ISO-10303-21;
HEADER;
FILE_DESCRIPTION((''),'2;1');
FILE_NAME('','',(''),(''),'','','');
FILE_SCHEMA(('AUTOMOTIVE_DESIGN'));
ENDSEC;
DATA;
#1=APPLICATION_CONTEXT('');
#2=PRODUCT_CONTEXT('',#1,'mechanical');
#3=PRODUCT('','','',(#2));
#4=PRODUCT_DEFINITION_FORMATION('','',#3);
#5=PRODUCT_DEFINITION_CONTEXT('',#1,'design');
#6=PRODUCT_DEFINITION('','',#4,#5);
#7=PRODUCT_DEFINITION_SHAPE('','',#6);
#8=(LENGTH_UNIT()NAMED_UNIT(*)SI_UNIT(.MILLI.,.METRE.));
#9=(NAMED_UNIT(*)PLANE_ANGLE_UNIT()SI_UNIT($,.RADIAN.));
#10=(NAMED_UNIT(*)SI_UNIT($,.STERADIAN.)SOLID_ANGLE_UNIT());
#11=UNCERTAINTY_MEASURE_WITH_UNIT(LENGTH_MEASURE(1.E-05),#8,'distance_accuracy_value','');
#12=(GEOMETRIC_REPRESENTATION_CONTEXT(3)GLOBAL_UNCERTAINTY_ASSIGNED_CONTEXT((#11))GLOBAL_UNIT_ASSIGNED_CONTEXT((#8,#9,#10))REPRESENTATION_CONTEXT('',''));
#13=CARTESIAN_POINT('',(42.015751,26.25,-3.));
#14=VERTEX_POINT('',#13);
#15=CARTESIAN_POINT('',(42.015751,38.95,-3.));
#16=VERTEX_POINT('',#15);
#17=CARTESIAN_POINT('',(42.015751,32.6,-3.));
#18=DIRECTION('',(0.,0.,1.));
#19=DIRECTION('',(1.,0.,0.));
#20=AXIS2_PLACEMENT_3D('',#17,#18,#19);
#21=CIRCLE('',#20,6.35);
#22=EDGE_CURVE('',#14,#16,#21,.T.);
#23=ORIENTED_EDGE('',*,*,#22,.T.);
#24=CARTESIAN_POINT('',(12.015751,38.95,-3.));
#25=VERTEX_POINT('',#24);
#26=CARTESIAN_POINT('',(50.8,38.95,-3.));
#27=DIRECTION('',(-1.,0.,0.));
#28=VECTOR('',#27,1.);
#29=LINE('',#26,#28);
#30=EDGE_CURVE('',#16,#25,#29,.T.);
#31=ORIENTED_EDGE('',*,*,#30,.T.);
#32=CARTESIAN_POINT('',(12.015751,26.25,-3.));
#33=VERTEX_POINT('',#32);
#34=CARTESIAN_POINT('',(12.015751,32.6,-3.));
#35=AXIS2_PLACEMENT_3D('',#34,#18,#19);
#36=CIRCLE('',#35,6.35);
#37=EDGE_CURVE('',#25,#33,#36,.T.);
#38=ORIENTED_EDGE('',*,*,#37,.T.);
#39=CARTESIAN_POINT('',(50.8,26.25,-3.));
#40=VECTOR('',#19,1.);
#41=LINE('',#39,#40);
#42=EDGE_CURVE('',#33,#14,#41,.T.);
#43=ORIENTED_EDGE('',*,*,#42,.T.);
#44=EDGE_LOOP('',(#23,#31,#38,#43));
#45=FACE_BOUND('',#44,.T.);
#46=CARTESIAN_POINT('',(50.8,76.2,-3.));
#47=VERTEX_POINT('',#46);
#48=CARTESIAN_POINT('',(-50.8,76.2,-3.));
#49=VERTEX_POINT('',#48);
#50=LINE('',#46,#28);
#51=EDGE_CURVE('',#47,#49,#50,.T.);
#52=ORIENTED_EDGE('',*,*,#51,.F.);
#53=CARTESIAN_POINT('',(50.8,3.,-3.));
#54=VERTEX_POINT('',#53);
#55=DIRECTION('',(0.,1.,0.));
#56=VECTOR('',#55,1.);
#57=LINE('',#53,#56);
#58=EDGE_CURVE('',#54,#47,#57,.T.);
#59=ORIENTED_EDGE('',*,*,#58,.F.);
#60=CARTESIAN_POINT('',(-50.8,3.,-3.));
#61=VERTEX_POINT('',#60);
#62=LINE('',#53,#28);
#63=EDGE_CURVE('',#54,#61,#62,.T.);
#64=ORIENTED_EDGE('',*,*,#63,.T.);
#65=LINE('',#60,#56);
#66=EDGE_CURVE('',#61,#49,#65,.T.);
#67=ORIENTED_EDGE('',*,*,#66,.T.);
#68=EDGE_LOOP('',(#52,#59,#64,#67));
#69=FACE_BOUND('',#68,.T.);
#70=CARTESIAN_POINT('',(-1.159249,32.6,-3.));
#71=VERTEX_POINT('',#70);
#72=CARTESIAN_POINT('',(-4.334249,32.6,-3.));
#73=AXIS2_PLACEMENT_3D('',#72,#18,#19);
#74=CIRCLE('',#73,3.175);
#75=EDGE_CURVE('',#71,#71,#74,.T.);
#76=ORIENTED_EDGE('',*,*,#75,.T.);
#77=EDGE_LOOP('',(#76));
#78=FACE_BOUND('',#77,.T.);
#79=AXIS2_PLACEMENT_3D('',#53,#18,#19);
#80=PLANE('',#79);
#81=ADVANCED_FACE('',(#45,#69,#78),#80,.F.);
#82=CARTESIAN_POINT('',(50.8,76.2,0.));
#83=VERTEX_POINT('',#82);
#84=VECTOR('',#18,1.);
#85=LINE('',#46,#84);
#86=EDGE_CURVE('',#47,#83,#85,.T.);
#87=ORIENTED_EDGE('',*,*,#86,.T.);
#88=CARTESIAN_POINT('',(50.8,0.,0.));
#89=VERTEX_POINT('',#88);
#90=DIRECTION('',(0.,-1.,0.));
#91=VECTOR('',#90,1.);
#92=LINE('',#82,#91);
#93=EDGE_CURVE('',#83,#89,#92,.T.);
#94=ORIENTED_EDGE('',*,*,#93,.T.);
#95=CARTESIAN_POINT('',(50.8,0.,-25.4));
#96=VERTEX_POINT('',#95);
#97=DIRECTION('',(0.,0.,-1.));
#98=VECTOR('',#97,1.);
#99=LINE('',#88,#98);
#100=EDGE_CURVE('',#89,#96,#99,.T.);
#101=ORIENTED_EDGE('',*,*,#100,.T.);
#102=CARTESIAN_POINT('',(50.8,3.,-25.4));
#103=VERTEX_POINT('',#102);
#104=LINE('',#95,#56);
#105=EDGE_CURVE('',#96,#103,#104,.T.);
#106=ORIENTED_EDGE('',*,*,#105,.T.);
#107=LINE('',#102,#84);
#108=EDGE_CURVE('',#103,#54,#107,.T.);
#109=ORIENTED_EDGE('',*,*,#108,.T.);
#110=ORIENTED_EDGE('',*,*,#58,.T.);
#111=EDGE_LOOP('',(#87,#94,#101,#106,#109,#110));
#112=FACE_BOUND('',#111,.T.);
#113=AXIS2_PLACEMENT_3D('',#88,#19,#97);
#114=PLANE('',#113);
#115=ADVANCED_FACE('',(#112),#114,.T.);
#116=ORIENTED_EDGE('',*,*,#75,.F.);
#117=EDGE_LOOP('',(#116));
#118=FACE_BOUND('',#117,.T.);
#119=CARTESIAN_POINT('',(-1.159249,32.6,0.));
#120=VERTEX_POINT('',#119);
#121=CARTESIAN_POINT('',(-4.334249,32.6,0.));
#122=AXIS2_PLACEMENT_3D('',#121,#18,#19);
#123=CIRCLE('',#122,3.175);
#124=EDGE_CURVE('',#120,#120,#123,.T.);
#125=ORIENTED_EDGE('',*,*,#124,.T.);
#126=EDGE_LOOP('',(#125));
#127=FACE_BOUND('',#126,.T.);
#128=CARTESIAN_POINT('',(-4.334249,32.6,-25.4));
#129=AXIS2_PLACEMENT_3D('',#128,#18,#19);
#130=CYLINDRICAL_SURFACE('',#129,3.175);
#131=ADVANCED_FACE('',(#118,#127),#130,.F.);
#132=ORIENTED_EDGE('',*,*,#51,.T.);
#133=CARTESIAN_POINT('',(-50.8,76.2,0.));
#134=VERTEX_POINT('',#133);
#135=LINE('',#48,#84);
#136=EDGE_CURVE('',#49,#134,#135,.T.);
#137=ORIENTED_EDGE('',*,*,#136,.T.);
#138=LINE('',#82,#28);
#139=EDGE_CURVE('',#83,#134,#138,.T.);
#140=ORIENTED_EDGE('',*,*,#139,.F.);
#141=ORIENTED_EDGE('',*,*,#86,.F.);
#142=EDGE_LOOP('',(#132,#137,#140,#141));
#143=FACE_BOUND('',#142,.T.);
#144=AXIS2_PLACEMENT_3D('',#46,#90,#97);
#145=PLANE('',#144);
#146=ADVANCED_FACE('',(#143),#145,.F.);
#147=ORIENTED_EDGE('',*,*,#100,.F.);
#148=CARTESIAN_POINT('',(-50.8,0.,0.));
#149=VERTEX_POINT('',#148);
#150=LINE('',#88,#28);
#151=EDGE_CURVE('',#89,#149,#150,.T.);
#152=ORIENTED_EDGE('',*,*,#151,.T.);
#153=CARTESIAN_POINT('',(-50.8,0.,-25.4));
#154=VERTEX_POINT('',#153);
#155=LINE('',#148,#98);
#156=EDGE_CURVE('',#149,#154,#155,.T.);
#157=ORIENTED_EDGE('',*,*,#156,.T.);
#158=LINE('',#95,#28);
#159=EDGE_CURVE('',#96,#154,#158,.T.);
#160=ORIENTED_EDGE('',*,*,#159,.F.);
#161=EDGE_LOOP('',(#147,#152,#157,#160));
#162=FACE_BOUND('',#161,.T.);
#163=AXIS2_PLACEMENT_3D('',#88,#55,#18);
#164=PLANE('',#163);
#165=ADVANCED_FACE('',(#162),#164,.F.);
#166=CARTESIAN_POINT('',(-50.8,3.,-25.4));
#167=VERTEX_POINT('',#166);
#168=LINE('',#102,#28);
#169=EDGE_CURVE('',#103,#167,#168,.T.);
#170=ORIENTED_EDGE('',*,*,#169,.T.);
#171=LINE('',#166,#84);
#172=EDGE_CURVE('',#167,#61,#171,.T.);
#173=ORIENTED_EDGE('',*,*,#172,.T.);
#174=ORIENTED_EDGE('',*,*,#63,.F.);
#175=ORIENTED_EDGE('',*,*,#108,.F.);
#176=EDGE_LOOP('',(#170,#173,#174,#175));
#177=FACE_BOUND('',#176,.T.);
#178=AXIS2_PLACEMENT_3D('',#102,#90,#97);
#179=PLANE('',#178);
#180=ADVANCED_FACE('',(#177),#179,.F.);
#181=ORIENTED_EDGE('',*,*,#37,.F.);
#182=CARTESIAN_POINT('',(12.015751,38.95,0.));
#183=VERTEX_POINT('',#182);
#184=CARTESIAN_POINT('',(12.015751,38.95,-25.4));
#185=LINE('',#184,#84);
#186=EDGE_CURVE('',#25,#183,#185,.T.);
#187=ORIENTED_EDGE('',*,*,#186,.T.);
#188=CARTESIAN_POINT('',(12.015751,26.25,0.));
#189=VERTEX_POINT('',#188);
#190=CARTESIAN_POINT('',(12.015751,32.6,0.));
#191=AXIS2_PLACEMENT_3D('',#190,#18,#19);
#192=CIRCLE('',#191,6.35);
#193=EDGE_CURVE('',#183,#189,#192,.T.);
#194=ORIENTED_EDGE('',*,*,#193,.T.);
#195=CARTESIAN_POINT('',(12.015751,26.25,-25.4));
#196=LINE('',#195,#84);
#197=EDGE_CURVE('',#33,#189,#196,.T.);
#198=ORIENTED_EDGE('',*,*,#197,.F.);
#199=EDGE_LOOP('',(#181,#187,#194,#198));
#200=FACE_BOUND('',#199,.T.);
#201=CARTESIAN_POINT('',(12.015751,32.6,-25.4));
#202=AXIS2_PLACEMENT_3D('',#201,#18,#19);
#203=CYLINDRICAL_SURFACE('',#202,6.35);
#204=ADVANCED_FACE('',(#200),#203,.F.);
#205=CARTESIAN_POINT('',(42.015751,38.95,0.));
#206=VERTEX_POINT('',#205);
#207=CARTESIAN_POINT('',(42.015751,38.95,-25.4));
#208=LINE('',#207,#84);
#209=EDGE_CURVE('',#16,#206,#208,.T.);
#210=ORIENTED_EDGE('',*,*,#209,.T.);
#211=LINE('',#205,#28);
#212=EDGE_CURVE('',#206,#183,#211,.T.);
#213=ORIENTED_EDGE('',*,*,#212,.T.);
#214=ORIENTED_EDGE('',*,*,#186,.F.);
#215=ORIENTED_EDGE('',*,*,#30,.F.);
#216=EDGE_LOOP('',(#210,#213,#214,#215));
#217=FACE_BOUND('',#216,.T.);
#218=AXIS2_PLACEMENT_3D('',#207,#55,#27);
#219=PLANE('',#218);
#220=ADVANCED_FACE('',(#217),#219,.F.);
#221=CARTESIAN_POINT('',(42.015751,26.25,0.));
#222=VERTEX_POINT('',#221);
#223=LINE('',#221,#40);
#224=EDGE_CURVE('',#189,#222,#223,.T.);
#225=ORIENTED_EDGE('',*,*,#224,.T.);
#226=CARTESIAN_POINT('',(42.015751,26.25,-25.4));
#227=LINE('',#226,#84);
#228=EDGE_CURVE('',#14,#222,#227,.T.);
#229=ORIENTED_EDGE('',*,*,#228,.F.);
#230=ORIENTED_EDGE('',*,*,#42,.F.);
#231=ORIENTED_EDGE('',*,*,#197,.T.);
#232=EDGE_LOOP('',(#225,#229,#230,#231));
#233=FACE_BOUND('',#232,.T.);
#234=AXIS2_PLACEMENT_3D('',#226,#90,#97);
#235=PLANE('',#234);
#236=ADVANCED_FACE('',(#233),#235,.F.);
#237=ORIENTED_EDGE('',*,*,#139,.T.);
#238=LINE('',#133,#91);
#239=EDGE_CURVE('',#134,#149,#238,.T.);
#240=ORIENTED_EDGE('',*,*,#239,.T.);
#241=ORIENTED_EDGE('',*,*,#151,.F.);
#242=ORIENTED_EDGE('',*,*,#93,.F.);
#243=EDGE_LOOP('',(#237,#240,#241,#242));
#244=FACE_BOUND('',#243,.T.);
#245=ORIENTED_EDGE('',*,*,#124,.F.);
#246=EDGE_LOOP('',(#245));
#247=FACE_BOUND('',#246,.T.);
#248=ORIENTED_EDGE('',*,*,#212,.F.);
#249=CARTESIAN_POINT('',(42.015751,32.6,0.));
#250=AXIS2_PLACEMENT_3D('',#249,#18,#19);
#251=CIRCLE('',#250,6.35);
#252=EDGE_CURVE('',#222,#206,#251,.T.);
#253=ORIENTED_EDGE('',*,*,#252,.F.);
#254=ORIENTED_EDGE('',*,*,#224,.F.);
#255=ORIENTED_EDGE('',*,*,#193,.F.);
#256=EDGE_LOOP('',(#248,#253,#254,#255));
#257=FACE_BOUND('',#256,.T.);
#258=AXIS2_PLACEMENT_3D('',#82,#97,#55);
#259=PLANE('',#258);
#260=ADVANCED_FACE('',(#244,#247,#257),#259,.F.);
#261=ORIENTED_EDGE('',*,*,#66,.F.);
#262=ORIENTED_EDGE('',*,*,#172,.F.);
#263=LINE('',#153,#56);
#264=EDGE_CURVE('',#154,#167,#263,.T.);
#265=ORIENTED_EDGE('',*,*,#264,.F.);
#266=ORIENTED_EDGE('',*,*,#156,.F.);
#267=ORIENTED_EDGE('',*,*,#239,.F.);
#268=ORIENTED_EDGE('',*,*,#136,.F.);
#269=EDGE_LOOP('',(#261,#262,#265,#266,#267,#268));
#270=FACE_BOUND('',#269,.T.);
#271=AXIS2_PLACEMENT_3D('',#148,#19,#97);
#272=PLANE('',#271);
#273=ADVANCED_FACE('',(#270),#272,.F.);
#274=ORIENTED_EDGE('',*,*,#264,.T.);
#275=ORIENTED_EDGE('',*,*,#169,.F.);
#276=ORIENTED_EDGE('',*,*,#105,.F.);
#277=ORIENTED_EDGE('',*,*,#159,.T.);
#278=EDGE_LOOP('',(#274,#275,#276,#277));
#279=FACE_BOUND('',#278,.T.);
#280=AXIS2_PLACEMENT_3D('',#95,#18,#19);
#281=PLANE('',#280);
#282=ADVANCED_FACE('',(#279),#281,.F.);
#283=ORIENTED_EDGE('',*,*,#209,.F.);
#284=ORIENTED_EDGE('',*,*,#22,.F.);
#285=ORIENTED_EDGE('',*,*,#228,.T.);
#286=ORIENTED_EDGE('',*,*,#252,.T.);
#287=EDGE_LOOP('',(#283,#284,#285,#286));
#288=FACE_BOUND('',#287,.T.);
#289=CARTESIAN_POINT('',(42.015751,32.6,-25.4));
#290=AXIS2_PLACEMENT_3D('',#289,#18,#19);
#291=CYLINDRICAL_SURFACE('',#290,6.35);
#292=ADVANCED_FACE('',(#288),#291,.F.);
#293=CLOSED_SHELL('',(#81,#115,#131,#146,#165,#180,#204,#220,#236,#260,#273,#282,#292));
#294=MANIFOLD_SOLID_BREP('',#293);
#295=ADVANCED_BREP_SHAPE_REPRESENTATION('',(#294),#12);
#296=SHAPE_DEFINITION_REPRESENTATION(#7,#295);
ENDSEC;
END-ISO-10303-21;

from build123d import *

# Parameters (mm, degrees)
SALIENTE_EXTRUIR1_DEPTH = 50.8
CROQUIS2_R              = 3.175
CORTAR_EXTRUIR1_DEPTH   = 96.038097624


with BuildPart() as part:
    # Croquis1 → Saliente-Extruir1 (new, symmetric)
    with BuildSketch(Plane(origin=(0, 0, 0), x_dir=(0, 0, -1), z_dir=(1, 0, 0))):
        Polygon((0, 76.2), (0, 0), (25.4, 0), (25.4, 3), (3, 3), (3, 76.2), align=None)
    extrude(amount=SALIENTE_EXTRUIR1_DEPTH, both=True)

    # Croquis2 → Cortar-Extruir1 (cut, through all)
    with BuildSketch(Plane.XY):
        with Locations((-4.334249313, 32.6)):
            Circle(CROQUIS2_R)
        with BuildLine():
            Line((42.015750687, 26.25), (12.015750687, 26.25))
            ThreePointArc((12.015750687, 26.25), (5.665750687, 32.6), (12.015750687, 38.95))
            Line((12.015750687, 38.95), (42.015750687, 38.95))
            ThreePointArc((42.015750687, 38.95), (48.365750687, 32.6), (42.015750687, 26.25))
        make_face()
    extrude(amount=-CORTAR_EXTRUIR1_DEPTH, mode=Mode.SUBTRACT)


solid = part.part
